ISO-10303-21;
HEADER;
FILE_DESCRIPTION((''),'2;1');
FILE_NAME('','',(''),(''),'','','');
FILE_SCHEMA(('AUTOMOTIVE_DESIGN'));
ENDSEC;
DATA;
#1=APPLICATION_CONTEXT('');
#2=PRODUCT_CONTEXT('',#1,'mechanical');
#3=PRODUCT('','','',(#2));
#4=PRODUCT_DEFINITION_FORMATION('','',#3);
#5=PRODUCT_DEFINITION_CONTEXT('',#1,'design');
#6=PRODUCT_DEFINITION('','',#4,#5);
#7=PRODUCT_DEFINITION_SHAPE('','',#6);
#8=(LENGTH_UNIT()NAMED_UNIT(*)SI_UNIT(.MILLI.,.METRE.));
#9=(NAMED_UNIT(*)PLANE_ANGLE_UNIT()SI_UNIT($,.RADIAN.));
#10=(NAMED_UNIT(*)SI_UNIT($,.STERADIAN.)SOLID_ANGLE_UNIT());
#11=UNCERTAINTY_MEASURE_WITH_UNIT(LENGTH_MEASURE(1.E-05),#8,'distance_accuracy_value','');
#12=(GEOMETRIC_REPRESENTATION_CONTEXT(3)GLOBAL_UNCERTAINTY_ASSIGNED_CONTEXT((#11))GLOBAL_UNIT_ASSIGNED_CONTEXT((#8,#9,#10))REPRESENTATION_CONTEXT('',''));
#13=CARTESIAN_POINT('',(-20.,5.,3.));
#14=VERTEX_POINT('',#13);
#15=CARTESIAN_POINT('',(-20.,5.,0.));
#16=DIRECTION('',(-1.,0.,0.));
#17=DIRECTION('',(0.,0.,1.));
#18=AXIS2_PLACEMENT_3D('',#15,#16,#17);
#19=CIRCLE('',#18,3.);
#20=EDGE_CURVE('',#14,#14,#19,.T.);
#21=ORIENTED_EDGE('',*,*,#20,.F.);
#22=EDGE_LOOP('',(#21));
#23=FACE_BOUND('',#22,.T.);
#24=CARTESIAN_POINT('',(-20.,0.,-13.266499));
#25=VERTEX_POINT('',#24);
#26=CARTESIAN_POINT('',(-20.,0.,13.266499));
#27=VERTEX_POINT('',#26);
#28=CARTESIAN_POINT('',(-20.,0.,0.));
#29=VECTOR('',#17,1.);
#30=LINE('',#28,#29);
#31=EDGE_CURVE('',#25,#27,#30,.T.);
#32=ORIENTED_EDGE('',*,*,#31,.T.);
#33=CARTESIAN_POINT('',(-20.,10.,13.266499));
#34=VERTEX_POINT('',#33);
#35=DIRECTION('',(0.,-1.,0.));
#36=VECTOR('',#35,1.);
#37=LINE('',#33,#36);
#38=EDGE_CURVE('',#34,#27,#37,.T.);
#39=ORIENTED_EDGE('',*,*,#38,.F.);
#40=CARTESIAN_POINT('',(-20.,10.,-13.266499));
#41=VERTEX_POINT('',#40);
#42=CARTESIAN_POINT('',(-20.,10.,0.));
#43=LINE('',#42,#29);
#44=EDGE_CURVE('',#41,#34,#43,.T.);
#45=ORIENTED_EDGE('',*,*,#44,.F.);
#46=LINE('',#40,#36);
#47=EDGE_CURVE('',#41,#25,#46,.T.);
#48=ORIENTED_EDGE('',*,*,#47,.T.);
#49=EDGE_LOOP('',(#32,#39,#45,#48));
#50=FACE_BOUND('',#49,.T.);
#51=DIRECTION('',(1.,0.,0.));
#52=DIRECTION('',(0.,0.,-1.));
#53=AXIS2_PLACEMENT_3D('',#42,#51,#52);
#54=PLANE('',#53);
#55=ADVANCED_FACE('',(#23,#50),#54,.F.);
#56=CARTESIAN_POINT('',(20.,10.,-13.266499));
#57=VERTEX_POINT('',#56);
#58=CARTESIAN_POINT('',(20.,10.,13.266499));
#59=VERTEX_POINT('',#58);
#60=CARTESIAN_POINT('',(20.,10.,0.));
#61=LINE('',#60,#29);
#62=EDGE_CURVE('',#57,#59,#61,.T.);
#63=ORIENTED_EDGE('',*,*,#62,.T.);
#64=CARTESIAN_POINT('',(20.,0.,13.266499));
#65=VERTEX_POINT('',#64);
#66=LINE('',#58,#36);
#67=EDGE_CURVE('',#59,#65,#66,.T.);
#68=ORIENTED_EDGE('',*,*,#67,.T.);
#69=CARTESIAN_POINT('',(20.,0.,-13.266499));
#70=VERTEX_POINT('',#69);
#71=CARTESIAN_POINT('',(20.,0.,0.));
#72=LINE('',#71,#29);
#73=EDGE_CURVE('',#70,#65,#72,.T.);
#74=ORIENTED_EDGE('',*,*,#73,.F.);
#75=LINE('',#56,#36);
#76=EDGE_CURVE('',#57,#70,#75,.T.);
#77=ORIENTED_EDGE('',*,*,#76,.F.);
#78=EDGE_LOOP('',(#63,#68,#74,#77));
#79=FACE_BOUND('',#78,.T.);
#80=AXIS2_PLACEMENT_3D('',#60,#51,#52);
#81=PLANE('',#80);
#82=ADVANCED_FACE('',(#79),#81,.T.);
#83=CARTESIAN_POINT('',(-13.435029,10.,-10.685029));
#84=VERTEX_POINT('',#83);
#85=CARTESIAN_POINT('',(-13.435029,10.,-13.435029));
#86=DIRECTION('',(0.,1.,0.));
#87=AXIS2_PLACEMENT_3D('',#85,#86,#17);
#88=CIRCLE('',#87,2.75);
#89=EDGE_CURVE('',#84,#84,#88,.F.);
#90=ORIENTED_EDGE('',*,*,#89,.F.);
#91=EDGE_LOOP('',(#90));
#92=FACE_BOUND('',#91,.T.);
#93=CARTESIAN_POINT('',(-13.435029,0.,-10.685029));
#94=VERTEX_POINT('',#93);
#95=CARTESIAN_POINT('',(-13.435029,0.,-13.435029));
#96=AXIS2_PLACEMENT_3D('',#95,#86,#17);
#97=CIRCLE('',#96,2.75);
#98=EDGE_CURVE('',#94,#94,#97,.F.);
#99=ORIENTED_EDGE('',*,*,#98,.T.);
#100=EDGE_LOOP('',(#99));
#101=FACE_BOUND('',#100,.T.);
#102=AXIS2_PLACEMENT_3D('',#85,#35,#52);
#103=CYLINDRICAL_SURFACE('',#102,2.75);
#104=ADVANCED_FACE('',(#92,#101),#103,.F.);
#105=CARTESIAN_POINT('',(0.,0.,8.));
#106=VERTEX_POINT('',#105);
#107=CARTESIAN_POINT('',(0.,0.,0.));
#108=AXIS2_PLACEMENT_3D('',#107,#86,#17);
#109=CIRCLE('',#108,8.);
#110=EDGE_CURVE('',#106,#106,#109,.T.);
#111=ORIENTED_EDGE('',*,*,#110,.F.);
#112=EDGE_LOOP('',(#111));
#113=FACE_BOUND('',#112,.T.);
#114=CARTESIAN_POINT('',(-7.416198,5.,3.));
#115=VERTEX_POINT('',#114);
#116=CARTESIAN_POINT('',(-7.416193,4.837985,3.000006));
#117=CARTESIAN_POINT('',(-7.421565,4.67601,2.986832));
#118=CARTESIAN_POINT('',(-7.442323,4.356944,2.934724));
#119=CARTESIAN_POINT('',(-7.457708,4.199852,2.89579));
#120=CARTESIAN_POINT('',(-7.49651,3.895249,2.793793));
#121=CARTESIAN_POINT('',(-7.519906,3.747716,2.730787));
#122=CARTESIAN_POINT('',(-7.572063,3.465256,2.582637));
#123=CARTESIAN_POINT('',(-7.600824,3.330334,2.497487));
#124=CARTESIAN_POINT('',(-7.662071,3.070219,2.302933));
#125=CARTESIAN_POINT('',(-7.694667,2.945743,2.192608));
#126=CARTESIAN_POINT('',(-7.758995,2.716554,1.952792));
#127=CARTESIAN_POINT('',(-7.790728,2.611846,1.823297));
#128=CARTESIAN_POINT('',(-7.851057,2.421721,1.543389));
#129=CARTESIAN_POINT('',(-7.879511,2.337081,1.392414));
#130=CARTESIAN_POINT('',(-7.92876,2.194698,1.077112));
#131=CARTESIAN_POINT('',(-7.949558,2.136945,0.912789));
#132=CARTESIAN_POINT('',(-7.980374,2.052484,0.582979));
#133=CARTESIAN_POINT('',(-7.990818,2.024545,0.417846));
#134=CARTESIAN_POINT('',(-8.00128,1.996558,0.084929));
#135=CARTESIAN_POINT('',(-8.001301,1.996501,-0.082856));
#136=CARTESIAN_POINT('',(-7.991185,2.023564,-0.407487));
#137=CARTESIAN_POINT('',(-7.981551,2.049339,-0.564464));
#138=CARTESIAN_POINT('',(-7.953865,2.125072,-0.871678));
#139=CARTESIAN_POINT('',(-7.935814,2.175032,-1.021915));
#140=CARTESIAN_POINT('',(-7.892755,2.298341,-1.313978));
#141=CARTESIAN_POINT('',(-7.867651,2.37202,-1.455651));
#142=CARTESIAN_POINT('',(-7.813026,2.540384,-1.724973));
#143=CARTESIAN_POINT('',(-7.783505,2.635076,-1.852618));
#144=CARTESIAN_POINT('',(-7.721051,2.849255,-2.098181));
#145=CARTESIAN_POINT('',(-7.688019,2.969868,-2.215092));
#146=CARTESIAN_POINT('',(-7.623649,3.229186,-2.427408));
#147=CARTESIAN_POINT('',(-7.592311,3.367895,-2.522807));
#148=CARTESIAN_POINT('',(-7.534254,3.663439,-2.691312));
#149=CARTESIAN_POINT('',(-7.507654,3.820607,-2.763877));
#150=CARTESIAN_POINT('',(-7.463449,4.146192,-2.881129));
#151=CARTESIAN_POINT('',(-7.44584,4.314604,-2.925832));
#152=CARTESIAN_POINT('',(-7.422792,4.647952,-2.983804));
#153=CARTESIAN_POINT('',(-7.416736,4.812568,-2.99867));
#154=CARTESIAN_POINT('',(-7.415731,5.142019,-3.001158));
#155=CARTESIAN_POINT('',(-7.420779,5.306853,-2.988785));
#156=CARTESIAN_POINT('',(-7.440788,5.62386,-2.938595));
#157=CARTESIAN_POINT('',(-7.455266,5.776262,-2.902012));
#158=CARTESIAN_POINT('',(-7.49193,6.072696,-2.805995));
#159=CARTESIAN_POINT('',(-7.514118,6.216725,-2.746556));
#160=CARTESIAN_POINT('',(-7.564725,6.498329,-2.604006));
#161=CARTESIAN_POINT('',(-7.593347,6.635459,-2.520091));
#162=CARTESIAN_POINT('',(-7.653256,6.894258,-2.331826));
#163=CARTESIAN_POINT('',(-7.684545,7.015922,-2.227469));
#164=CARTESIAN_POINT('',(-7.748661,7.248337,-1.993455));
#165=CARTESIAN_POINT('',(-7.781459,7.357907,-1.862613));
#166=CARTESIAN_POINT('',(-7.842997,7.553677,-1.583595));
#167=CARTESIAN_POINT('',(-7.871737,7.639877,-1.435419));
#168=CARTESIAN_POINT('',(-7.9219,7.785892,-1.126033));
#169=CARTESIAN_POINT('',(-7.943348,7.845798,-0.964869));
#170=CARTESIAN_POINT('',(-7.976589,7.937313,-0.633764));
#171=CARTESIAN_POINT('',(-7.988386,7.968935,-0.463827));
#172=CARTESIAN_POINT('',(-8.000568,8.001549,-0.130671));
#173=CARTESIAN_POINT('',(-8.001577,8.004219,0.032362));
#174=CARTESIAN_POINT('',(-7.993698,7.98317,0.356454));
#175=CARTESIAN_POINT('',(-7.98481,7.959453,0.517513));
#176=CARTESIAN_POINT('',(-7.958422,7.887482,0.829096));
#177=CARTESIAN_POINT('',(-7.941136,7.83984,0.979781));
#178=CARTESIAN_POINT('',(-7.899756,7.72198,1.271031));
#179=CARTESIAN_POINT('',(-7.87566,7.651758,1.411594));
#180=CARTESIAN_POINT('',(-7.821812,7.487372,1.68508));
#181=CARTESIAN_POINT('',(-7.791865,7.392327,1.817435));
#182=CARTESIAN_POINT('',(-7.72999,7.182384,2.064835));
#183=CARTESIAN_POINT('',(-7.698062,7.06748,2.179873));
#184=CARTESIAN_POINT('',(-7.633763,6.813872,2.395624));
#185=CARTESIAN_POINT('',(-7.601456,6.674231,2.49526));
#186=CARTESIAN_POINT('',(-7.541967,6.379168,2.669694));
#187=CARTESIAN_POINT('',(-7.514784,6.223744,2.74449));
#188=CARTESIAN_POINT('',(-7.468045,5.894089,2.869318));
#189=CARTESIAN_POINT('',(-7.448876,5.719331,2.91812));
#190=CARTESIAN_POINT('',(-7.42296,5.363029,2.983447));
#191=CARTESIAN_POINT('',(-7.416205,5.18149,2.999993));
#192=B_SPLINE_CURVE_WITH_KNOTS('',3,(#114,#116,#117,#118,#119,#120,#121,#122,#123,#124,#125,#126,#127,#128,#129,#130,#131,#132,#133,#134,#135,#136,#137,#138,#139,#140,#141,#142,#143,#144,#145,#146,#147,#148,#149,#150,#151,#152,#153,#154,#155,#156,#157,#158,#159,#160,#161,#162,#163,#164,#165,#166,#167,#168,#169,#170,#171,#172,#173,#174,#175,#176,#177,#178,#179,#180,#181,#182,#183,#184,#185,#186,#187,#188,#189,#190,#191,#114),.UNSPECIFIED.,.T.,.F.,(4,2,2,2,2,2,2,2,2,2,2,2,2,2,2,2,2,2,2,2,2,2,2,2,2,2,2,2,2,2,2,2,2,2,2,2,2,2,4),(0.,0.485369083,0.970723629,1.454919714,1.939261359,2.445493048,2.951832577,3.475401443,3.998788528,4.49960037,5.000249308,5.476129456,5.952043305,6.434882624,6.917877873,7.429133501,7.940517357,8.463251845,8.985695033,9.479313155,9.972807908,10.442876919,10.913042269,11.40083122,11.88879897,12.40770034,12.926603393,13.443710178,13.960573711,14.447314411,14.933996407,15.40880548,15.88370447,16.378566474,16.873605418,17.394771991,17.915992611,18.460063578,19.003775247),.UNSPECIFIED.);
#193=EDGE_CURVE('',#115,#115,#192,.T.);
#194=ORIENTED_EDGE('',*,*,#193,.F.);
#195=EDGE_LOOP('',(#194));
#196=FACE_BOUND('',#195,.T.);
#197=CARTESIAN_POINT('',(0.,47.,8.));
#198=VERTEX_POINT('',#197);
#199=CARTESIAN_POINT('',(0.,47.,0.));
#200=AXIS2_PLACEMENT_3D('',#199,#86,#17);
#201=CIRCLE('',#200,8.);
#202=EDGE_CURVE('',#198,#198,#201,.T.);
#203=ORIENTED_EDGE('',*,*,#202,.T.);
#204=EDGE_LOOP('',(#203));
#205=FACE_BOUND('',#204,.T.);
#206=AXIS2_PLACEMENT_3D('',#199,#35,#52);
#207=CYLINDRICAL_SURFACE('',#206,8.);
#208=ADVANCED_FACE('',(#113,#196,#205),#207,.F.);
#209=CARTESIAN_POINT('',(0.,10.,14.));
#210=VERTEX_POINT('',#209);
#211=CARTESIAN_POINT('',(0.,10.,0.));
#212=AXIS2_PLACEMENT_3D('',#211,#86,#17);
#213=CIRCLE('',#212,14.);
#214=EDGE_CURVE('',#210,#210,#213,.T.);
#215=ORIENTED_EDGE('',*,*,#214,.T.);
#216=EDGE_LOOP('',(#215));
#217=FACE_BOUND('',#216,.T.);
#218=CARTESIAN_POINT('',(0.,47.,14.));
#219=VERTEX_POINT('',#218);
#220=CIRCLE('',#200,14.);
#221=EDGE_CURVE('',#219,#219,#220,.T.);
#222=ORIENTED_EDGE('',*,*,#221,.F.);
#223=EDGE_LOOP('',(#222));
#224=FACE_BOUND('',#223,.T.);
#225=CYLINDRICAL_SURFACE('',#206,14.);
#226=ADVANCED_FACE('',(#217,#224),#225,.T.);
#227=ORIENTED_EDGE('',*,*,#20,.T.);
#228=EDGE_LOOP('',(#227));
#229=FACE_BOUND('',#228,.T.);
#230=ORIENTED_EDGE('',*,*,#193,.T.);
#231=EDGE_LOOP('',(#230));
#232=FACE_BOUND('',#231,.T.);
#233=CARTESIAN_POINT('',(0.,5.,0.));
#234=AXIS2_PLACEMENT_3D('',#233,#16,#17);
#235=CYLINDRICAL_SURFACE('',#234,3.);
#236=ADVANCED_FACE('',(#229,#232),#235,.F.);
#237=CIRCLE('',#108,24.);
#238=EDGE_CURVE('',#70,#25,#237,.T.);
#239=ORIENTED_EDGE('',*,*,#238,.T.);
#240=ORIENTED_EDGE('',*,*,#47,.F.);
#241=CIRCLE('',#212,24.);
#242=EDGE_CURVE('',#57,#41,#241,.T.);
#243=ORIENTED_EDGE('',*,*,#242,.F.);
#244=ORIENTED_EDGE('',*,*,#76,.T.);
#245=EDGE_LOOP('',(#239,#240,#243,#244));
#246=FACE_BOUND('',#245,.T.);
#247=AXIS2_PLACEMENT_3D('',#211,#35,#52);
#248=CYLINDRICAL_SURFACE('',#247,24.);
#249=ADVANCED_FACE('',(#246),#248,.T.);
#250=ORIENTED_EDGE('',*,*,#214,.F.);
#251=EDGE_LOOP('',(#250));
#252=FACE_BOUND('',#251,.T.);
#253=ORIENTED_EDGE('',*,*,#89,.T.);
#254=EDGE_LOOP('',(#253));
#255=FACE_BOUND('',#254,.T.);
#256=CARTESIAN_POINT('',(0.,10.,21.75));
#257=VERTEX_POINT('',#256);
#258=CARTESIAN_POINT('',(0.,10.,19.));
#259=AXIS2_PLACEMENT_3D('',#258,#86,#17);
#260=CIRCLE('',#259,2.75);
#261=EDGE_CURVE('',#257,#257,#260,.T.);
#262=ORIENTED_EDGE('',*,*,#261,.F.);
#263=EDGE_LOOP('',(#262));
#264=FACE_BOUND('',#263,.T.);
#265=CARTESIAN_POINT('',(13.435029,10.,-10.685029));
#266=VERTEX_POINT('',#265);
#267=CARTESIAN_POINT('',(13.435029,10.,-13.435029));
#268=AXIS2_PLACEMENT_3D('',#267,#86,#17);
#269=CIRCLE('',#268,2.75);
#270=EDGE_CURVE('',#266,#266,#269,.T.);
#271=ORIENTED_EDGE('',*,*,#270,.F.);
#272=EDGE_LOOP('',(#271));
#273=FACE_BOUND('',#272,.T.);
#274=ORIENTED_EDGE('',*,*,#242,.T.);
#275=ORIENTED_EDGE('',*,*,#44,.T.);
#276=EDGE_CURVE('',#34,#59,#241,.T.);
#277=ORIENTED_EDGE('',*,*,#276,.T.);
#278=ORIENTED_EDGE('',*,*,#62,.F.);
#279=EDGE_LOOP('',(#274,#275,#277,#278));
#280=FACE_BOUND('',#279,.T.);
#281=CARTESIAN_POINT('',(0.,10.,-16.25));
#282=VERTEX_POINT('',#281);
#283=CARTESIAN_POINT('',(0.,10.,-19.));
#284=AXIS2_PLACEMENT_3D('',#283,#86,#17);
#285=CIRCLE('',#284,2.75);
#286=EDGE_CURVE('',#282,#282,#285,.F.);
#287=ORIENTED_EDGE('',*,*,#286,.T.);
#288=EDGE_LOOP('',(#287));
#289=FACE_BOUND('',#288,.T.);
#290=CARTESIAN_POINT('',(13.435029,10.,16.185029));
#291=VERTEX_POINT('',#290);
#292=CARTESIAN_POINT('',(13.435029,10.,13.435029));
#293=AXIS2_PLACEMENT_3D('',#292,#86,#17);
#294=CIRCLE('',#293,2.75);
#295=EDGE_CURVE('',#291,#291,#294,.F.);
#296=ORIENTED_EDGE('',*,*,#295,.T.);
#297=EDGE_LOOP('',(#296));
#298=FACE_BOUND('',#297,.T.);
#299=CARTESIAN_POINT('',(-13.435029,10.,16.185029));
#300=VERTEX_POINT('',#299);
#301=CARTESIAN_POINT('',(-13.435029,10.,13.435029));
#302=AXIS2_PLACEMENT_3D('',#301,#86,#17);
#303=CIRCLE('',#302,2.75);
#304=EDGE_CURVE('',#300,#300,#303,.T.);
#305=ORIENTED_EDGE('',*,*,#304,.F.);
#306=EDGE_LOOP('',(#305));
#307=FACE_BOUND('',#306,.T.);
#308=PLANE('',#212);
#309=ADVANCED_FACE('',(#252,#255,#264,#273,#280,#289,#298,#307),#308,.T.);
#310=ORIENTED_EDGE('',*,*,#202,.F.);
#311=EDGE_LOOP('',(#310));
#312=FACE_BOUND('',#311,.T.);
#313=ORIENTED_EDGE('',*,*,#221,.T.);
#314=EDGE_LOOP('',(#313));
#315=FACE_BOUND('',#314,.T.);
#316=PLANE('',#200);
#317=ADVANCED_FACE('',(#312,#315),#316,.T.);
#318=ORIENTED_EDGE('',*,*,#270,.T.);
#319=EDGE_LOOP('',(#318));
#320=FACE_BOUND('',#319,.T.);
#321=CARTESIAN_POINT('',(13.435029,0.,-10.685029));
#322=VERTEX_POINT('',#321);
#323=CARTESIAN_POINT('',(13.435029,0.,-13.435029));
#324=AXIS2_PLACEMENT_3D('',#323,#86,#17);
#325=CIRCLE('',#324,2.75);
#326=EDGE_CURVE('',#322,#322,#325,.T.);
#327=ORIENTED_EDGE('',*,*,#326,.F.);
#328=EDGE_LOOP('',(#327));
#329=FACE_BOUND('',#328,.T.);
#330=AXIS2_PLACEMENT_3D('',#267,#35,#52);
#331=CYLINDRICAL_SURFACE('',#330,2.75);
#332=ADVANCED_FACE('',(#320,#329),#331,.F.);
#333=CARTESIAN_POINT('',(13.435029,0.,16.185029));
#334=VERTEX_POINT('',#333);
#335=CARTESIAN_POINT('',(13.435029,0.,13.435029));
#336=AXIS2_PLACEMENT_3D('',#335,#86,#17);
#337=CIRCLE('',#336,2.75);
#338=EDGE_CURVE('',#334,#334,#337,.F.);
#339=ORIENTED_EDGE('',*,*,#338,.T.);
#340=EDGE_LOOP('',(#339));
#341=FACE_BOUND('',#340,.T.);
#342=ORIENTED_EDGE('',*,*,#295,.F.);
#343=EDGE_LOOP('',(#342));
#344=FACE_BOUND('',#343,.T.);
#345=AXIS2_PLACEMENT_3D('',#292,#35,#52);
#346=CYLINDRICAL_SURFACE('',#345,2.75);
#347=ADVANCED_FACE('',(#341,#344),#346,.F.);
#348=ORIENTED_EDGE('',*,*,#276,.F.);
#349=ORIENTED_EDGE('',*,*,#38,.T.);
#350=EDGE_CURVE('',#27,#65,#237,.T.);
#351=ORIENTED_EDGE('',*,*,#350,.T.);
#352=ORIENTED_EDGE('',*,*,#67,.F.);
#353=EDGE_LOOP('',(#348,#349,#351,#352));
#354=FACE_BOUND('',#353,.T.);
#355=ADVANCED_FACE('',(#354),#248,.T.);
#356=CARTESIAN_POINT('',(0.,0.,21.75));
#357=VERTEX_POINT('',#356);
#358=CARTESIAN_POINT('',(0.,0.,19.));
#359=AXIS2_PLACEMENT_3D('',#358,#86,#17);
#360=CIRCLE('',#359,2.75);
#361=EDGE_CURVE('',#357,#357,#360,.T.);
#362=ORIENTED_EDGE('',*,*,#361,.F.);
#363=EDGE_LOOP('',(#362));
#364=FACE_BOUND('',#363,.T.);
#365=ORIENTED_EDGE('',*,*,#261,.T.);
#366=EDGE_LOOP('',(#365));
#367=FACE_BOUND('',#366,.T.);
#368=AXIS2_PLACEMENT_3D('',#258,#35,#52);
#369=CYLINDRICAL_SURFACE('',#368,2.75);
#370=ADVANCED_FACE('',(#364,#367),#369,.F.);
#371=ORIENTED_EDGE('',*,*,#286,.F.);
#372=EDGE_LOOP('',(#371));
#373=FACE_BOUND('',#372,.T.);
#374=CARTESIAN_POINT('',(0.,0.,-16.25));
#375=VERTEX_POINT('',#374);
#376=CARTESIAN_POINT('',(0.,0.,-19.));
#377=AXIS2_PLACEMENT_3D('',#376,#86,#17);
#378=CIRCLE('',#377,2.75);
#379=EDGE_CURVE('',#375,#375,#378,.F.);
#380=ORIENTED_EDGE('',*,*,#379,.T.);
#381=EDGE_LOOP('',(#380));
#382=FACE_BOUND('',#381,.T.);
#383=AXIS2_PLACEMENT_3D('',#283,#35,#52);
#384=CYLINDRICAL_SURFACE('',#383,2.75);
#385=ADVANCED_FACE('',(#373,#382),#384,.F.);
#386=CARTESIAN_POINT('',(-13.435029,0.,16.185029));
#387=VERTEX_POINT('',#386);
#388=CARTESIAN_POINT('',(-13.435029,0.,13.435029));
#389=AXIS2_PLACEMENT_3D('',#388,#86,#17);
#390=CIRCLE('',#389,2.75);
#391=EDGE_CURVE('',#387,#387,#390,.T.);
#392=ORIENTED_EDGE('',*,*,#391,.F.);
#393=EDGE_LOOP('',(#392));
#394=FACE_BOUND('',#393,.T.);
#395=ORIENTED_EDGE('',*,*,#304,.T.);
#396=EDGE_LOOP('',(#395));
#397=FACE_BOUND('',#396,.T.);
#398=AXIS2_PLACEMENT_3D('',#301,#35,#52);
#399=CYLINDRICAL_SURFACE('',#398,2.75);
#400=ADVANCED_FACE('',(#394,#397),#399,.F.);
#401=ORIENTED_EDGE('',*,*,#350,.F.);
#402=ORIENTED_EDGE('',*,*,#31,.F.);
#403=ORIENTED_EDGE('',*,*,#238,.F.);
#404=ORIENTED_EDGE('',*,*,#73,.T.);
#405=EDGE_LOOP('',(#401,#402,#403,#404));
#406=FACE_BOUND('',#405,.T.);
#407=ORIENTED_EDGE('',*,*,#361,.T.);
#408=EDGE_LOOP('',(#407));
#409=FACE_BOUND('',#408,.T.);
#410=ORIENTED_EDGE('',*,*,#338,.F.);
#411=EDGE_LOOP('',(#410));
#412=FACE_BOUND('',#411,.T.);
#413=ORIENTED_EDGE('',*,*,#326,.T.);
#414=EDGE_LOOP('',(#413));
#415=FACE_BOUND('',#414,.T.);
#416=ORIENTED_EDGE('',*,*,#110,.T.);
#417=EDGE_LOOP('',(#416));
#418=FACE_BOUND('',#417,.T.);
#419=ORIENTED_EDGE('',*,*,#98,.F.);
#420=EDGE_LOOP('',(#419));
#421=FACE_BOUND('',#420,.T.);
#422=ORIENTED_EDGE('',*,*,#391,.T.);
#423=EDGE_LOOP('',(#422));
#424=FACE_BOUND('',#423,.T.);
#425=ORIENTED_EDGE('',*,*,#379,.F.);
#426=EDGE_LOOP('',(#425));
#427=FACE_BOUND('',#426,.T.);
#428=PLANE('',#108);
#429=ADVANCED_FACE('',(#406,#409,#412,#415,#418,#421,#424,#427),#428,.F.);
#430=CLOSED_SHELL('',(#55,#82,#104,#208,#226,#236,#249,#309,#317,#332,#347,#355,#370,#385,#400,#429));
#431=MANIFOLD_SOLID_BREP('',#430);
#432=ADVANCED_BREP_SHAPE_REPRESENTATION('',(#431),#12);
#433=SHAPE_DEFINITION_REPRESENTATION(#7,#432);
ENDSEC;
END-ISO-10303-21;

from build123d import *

# Parameters (mm, degrees)
SKETCH_1_R          = 2.75
SKETCH_1_R_2        = 14
EXTRUDE_1_DEPTH     = 10
SKETCH_1_3_R        = 14
SKETCH_1_3_R_2      = 8
EXTRUDE_2_DEPTH     = 47
SKETCH_2_R          = 3
CUT_EXTRUDE_1_DEPTH = 20


with BuildPart() as part:
    # 草图1 → 凸台-拉伸1 (new body)
    with BuildSketch(Plane(origin=(0, 0, 0), x_dir=(1, 0, 0), z_dir=(0, 1, 0))):
        with BuildLine():
            ThreePointArc((20, 13.266499161), (0, 24), (-20, 13.266499161))
            Line((-20, 13.266499161), (-20, -13.266499161))
            ThreePointArc((-20, -13.266499161), (0, -24), (20, -13.266499161))
            Line((20, -13.266499161), (20, 13.266499161))
        make_face()
        with Locations((-13.435028843, -13.435028843)):
            Circle(SKETCH_1_R, mode=Mode.SUBTRACT)
        with Locations((0, -19)):
            Circle(SKETCH_1_R, mode=Mode.SUBTRACT)
        with Locations((13.435028843, -13.435028843)):
            Circle(SKETCH_1_R, mode=Mode.SUBTRACT)
        Circle(SKETCH_1_R_2, mode=Mode.SUBTRACT)
        with Locations((-13.435028843, 13.435028843)):
            Circle(SKETCH_1_R, mode=Mode.SUBTRACT)
        with Locations((0, 19)):
            Circle(SKETCH_1_R, mode=Mode.SUBTRACT)
        with Locations((13.435028843, 13.435028843)):
            Circle(SKETCH_1_R, mode=Mode.SUBTRACT)
    extrude(amount=EXTRUDE_1_DEPTH)

    # 草图1<3> → 凸台-拉伸2 (add)
    with BuildSketch(Plane(origin=(0, 0, 0), x_dir=(1, 0, 0), z_dir=(0, 1, 0))):
        Circle(SKETCH_1_3_R)
        Circle(SKETCH_1_3_R_2, mode=Mode.SUBTRACT)
    extrude(amount=EXTRUDE_2_DEPTH)

    # 草图2 → 切除-拉伸1 (cut)
    with BuildSketch(Plane.ZY.offset(20)):
        with Locations((0, 5)):
            Circle(SKETCH_2_R)
    extrude(amount=-CUT_EXTRUDE_1_DEPTH, mode=Mode.SUBTRACT)


solid = part.part
